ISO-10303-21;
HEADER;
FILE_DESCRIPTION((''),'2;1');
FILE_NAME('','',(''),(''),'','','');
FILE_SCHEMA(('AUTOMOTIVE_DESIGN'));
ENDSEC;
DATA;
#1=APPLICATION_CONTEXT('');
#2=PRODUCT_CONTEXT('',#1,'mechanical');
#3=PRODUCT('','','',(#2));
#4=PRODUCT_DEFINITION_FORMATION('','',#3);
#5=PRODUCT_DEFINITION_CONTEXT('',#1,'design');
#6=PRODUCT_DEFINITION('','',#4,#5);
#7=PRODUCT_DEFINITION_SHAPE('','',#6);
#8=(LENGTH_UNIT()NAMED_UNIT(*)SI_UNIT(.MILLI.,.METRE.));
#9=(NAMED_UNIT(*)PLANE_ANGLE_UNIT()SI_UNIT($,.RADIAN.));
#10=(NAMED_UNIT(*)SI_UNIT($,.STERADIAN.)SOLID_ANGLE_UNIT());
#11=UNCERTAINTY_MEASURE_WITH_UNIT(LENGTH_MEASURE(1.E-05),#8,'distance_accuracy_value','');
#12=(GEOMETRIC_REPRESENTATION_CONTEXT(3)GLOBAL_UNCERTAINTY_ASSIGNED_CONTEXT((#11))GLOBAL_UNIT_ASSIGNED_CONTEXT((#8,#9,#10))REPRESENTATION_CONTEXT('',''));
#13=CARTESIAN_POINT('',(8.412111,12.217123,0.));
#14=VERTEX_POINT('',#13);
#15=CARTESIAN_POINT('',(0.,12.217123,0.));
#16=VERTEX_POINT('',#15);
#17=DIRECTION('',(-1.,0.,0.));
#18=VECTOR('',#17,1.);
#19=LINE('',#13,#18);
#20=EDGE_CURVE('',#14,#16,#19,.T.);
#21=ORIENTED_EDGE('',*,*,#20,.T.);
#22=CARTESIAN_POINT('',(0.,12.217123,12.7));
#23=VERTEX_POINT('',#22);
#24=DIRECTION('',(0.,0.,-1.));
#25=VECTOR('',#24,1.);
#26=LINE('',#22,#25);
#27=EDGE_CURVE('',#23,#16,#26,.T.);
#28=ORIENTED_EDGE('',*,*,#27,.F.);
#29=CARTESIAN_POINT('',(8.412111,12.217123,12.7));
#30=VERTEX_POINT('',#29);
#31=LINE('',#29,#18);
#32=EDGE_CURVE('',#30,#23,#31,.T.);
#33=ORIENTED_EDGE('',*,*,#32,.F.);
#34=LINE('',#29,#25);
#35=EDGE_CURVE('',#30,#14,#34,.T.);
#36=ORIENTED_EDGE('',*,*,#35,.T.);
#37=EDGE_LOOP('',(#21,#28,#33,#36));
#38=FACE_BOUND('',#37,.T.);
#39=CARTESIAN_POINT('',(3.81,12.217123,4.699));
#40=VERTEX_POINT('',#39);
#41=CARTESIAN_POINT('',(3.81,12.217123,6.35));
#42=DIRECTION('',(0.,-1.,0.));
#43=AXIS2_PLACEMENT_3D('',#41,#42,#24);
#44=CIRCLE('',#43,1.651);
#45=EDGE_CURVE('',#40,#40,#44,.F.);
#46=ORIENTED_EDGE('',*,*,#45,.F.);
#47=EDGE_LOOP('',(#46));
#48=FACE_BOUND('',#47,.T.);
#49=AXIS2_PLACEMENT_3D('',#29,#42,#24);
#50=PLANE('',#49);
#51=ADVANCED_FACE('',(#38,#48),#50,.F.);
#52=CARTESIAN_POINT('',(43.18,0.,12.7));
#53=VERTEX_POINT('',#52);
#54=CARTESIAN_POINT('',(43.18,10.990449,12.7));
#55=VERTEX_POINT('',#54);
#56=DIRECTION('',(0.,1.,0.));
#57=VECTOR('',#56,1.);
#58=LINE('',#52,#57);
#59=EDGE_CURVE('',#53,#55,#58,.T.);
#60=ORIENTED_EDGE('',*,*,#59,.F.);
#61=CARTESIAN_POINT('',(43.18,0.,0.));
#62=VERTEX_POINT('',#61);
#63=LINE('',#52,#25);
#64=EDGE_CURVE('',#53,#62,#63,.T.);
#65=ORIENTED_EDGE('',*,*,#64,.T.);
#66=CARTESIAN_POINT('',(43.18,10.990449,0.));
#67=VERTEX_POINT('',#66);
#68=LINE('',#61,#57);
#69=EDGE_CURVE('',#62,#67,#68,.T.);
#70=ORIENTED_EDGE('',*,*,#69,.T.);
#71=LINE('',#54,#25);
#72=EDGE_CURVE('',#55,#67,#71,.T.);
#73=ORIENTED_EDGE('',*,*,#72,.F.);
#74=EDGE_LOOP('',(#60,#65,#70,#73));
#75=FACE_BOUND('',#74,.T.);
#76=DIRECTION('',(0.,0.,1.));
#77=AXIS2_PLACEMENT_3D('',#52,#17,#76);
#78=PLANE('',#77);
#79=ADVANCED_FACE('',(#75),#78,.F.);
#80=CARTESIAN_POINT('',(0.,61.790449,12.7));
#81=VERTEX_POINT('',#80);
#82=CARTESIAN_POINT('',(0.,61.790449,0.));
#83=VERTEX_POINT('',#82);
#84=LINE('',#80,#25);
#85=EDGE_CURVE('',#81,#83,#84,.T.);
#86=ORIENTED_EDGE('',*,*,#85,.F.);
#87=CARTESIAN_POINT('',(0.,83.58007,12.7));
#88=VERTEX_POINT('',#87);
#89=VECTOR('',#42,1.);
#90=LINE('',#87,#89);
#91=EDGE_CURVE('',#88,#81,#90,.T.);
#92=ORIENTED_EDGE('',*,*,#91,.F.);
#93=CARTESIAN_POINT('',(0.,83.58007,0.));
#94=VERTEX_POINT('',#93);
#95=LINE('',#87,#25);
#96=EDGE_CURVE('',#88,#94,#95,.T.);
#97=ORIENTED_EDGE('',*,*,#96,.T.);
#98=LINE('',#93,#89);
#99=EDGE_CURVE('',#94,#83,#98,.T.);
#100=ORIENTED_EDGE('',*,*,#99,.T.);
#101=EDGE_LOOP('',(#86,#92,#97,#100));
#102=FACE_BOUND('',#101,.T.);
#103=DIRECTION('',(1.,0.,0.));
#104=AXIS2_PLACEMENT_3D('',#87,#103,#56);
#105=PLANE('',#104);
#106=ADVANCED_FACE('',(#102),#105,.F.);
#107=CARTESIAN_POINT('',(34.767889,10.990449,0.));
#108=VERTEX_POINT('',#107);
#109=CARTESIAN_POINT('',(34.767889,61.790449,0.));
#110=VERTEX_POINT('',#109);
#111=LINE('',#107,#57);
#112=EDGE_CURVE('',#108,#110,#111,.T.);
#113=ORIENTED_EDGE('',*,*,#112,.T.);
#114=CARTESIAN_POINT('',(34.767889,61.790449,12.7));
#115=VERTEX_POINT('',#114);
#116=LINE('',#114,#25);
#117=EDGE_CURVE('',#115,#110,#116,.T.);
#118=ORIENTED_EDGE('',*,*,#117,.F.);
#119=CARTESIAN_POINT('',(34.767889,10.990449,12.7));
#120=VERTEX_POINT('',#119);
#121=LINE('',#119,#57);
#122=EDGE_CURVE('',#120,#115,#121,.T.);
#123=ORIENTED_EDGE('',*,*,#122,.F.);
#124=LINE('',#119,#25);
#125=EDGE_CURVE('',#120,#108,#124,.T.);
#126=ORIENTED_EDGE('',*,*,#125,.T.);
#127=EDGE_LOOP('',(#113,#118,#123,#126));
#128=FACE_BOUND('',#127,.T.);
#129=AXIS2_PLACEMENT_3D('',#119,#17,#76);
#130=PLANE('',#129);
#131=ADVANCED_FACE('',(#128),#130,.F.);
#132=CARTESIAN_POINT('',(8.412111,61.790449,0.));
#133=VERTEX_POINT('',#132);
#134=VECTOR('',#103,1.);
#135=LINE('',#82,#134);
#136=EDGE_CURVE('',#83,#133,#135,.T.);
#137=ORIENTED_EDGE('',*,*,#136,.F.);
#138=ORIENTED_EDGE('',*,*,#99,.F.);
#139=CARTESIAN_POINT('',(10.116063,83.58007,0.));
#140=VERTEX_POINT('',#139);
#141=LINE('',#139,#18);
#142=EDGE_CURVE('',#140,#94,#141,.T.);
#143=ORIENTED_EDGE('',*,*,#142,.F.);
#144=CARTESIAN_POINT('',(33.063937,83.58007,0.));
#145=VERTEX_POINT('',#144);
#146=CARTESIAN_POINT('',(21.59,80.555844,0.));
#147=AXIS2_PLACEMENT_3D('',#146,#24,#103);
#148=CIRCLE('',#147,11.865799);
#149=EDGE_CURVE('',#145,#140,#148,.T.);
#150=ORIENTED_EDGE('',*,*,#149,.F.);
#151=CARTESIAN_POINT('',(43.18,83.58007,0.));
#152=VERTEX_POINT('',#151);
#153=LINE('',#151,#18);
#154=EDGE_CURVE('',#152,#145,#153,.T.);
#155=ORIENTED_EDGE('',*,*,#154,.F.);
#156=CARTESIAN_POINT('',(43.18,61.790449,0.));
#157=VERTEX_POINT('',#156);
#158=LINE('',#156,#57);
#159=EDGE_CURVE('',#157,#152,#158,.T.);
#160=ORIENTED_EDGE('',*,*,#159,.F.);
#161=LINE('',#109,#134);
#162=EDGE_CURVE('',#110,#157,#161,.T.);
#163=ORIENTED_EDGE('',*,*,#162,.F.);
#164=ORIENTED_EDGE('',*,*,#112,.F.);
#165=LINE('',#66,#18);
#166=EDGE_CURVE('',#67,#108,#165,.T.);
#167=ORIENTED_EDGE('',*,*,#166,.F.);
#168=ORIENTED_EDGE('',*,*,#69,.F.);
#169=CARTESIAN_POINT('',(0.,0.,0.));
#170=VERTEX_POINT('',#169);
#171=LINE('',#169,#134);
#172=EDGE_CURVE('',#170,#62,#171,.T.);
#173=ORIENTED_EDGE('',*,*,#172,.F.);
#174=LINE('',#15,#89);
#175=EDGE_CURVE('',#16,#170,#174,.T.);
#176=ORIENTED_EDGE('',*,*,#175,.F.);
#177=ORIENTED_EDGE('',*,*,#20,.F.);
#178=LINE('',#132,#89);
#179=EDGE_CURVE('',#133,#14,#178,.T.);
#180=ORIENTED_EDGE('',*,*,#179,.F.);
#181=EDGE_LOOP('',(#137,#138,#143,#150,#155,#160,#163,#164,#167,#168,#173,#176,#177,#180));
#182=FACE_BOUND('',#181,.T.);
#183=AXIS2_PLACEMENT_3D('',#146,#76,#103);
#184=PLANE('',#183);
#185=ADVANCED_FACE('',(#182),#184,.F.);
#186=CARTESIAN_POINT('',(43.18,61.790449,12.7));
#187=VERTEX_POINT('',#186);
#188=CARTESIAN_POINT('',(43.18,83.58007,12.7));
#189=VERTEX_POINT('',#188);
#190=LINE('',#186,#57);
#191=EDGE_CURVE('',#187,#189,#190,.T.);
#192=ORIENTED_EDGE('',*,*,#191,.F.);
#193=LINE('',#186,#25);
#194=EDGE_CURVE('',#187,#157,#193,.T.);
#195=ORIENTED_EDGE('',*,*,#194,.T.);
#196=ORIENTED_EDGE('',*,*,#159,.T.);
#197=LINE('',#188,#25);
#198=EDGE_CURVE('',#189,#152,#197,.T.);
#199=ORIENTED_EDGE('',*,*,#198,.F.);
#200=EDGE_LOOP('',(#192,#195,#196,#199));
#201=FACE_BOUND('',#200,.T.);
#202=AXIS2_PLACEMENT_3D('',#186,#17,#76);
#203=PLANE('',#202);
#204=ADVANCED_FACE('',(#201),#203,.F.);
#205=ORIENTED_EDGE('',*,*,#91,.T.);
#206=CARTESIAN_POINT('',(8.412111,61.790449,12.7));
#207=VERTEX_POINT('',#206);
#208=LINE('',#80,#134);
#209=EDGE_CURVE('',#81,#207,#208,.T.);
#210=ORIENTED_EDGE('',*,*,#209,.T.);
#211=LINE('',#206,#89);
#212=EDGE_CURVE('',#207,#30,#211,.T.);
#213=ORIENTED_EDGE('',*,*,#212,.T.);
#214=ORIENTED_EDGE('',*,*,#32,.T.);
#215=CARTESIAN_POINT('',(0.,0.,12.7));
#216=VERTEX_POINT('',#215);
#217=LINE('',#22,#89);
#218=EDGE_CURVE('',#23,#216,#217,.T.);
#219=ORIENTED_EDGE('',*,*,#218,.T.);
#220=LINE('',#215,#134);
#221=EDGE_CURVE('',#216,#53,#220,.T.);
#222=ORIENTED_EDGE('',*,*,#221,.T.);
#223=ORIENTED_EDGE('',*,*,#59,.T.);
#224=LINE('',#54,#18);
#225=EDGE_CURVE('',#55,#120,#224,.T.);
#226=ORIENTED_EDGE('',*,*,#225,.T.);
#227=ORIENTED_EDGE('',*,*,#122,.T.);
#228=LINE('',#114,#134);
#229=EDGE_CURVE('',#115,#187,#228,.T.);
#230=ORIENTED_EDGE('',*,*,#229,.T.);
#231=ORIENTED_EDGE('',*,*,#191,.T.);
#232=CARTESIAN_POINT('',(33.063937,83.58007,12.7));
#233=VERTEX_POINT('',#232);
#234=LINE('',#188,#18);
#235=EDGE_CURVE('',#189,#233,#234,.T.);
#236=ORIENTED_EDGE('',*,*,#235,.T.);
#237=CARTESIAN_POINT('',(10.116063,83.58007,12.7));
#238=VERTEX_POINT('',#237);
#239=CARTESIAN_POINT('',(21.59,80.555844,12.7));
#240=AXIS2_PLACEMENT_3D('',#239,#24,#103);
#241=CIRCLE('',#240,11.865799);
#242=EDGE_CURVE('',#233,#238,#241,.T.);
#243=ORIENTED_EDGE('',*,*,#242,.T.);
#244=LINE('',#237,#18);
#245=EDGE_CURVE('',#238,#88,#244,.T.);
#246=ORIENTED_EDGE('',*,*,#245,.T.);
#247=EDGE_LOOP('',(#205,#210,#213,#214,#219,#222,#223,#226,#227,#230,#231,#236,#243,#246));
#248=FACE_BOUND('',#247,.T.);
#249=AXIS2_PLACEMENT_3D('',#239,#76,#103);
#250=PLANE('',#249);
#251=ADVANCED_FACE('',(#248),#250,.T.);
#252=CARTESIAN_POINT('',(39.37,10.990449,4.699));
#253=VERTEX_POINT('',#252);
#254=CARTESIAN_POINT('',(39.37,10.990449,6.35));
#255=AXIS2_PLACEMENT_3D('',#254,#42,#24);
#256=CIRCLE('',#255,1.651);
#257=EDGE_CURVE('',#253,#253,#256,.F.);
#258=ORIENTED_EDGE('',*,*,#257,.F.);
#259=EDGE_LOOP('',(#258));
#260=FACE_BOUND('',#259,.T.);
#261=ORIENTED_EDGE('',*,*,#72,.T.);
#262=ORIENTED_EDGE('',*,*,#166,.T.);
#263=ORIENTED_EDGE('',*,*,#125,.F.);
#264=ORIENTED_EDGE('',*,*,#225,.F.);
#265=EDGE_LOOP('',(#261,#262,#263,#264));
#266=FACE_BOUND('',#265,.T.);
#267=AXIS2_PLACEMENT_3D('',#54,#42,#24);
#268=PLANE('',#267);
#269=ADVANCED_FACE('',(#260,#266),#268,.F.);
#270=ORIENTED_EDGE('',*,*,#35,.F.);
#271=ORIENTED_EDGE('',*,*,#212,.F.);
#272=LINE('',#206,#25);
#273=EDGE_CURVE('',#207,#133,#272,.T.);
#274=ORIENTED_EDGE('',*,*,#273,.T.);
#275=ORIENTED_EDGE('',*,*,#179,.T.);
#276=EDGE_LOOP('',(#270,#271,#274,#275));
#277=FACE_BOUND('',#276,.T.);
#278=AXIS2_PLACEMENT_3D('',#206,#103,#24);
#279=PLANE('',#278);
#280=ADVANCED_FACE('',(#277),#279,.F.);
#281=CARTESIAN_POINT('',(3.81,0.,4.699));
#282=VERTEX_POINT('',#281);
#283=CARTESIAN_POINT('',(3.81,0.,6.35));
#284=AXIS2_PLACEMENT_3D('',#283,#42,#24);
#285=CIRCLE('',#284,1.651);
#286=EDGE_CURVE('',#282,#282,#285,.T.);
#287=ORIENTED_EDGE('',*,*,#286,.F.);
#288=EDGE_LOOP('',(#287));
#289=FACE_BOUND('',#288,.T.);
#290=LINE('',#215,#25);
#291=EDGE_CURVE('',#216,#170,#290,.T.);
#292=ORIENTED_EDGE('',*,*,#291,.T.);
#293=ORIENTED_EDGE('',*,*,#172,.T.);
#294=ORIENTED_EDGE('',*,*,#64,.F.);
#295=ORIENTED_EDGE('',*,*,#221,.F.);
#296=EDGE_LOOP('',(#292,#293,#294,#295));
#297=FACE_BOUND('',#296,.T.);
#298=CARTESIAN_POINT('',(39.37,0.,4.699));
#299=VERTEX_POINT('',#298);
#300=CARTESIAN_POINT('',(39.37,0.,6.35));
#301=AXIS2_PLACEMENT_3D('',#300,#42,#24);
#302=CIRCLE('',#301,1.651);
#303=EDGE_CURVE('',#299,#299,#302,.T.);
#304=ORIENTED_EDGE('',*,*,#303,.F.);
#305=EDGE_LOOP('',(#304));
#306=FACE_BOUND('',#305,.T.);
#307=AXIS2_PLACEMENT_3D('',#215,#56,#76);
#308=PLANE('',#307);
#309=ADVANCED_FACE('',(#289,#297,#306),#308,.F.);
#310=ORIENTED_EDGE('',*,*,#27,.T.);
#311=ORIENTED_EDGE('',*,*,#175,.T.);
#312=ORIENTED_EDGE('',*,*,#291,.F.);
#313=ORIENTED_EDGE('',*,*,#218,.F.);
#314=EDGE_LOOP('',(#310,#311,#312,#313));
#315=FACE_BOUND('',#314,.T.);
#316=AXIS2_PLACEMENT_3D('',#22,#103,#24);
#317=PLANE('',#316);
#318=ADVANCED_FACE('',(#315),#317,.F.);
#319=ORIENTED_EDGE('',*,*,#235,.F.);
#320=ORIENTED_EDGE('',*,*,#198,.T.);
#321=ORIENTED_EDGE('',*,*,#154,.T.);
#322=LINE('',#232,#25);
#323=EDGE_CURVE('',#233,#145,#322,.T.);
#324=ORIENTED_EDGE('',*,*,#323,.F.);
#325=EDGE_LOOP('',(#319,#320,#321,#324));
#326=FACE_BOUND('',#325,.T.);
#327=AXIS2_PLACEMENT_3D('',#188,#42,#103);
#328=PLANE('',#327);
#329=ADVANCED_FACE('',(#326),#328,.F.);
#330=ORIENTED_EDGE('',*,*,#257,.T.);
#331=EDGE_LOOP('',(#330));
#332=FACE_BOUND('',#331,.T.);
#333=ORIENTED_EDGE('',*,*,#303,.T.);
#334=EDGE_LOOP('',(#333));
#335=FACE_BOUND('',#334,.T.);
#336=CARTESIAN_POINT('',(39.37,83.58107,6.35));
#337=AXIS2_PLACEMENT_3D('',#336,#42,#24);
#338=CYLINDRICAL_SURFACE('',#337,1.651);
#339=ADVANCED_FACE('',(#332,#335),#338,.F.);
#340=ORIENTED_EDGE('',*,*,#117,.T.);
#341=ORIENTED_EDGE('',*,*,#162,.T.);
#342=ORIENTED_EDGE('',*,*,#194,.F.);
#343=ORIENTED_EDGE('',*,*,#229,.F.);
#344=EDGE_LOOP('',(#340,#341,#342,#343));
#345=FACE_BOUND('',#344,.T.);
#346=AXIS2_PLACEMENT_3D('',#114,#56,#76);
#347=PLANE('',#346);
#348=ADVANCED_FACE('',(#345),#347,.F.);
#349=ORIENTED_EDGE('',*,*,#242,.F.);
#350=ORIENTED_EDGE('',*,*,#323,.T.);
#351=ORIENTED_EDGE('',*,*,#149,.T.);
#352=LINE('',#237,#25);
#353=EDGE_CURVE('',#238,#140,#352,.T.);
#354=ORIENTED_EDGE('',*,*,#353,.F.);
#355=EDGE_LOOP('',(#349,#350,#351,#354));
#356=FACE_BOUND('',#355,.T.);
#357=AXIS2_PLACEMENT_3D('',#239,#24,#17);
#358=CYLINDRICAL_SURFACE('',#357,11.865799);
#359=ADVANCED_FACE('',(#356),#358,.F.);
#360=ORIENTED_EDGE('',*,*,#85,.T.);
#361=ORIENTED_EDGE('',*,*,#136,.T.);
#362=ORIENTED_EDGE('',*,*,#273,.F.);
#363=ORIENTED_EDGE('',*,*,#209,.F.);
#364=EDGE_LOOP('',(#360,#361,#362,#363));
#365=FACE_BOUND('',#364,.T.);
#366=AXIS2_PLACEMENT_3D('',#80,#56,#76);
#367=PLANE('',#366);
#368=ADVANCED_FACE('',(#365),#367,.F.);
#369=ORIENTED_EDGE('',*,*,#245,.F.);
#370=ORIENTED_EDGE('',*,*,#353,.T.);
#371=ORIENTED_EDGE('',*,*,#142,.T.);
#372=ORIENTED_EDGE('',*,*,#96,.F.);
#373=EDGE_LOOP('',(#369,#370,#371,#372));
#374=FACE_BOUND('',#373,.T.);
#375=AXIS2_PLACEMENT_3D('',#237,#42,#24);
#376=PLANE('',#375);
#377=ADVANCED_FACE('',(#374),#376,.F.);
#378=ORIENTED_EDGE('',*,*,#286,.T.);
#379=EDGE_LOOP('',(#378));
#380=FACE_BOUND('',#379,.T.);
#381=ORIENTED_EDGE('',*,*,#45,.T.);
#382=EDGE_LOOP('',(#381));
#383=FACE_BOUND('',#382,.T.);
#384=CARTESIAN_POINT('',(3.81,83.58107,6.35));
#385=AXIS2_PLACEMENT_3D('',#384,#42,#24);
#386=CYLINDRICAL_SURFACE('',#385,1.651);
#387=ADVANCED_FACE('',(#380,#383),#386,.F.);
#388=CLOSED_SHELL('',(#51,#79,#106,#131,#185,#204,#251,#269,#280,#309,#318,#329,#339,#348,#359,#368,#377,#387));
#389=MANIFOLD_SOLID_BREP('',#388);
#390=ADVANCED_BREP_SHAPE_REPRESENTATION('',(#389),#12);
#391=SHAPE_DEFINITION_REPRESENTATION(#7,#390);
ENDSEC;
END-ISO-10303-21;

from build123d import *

# Parameters (mm, degrees)
BOSS_EXTRUDE1_DEPTH = 12.7
CUT_EXTRUDE1_REACH  = 96.929
SKETCH2_R           = 1.651


with BuildPart() as part:
    # Sketch1 → Boss-Extrude1 (new body)
    with BuildSketch(Plane.XY):
        with BuildLine():
            Line((0, 0), (43.18, 0))
            Line((43.18, 0), (43.18, 10.990448657))
            Line((43.18, 10.990448657), (34.76788921, 10.990448657))
            Line((34.76788921, 10.990448657), (34.76788921, 61.790448657))
            Line((34.76788921, 61.790448657), (43.18, 61.790448657))
            Line((43.18, 61.790448657), (43.18, 83.580070377))
            Line((43.18, 83.580070377), (33.063937135, 83.580070377))
            ThreePointArc((33.063937135, 83.580070377), (21.59, 68.690045143), (10.116062865, 83.580070377))
            Line((10.116062865, 83.580070377), (0, 83.580070377))
            Line((0, 83.580070377), (0, 61.790448657))
            Line((0, 61.790448657), (8.41211079, 61.790448657))
            Line((8.41211079, 61.790448657), (8.41211079, 12.217122928))
            Line((8.41211079, 12.217122928), (0, 12.217122928))
            Line((0, 12.217122928), (0, 0))
        make_face()
    extrude(amount=BOSS_EXTRUDE1_DEPTH)

    # Sketch2 → Cut-Extrude1 (cut, up to next)
    with BuildSketch(Plane.XZ, mode=Mode.PRIVATE) as cut_extrude1_sk1:
        with Locations(Location((3.81, 6.35, 0), (0, 0, 270))):
            Circle(SKETCH2_R)
    cut_extrude1_tool1 = extrude(cut_extrude1_sk1.sketch, amount=-CUT_EXTRUDE1_REACH, mode=Mode.PRIVATE) & part.part
    # Sketch2 → Cut-Extrude1 (cut, up to next)
    with BuildSketch(Plane.XZ, mode=Mode.PRIVATE) as cut_extrude1_sk2:
        with Locations(Location((39.37, 6.35, 0), (0, 0, 270))):
            Circle(SKETCH2_R)
    cut_extrude1_tool2 = extrude(cut_extrude1_sk2.sketch, amount=-CUT_EXTRUDE1_REACH, mode=Mode.PRIVATE) & part.part
    add(cut_extrude1_tool1.solids().sort_by_distance((3.81, 0, 6.35))[0], mode=Mode.SUBTRACT)
    add(cut_extrude1_tool2.solids().sort_by_distance((39.37, 0, 6.35))[0], mode=Mode.SUBTRACT)


solid = part.part
